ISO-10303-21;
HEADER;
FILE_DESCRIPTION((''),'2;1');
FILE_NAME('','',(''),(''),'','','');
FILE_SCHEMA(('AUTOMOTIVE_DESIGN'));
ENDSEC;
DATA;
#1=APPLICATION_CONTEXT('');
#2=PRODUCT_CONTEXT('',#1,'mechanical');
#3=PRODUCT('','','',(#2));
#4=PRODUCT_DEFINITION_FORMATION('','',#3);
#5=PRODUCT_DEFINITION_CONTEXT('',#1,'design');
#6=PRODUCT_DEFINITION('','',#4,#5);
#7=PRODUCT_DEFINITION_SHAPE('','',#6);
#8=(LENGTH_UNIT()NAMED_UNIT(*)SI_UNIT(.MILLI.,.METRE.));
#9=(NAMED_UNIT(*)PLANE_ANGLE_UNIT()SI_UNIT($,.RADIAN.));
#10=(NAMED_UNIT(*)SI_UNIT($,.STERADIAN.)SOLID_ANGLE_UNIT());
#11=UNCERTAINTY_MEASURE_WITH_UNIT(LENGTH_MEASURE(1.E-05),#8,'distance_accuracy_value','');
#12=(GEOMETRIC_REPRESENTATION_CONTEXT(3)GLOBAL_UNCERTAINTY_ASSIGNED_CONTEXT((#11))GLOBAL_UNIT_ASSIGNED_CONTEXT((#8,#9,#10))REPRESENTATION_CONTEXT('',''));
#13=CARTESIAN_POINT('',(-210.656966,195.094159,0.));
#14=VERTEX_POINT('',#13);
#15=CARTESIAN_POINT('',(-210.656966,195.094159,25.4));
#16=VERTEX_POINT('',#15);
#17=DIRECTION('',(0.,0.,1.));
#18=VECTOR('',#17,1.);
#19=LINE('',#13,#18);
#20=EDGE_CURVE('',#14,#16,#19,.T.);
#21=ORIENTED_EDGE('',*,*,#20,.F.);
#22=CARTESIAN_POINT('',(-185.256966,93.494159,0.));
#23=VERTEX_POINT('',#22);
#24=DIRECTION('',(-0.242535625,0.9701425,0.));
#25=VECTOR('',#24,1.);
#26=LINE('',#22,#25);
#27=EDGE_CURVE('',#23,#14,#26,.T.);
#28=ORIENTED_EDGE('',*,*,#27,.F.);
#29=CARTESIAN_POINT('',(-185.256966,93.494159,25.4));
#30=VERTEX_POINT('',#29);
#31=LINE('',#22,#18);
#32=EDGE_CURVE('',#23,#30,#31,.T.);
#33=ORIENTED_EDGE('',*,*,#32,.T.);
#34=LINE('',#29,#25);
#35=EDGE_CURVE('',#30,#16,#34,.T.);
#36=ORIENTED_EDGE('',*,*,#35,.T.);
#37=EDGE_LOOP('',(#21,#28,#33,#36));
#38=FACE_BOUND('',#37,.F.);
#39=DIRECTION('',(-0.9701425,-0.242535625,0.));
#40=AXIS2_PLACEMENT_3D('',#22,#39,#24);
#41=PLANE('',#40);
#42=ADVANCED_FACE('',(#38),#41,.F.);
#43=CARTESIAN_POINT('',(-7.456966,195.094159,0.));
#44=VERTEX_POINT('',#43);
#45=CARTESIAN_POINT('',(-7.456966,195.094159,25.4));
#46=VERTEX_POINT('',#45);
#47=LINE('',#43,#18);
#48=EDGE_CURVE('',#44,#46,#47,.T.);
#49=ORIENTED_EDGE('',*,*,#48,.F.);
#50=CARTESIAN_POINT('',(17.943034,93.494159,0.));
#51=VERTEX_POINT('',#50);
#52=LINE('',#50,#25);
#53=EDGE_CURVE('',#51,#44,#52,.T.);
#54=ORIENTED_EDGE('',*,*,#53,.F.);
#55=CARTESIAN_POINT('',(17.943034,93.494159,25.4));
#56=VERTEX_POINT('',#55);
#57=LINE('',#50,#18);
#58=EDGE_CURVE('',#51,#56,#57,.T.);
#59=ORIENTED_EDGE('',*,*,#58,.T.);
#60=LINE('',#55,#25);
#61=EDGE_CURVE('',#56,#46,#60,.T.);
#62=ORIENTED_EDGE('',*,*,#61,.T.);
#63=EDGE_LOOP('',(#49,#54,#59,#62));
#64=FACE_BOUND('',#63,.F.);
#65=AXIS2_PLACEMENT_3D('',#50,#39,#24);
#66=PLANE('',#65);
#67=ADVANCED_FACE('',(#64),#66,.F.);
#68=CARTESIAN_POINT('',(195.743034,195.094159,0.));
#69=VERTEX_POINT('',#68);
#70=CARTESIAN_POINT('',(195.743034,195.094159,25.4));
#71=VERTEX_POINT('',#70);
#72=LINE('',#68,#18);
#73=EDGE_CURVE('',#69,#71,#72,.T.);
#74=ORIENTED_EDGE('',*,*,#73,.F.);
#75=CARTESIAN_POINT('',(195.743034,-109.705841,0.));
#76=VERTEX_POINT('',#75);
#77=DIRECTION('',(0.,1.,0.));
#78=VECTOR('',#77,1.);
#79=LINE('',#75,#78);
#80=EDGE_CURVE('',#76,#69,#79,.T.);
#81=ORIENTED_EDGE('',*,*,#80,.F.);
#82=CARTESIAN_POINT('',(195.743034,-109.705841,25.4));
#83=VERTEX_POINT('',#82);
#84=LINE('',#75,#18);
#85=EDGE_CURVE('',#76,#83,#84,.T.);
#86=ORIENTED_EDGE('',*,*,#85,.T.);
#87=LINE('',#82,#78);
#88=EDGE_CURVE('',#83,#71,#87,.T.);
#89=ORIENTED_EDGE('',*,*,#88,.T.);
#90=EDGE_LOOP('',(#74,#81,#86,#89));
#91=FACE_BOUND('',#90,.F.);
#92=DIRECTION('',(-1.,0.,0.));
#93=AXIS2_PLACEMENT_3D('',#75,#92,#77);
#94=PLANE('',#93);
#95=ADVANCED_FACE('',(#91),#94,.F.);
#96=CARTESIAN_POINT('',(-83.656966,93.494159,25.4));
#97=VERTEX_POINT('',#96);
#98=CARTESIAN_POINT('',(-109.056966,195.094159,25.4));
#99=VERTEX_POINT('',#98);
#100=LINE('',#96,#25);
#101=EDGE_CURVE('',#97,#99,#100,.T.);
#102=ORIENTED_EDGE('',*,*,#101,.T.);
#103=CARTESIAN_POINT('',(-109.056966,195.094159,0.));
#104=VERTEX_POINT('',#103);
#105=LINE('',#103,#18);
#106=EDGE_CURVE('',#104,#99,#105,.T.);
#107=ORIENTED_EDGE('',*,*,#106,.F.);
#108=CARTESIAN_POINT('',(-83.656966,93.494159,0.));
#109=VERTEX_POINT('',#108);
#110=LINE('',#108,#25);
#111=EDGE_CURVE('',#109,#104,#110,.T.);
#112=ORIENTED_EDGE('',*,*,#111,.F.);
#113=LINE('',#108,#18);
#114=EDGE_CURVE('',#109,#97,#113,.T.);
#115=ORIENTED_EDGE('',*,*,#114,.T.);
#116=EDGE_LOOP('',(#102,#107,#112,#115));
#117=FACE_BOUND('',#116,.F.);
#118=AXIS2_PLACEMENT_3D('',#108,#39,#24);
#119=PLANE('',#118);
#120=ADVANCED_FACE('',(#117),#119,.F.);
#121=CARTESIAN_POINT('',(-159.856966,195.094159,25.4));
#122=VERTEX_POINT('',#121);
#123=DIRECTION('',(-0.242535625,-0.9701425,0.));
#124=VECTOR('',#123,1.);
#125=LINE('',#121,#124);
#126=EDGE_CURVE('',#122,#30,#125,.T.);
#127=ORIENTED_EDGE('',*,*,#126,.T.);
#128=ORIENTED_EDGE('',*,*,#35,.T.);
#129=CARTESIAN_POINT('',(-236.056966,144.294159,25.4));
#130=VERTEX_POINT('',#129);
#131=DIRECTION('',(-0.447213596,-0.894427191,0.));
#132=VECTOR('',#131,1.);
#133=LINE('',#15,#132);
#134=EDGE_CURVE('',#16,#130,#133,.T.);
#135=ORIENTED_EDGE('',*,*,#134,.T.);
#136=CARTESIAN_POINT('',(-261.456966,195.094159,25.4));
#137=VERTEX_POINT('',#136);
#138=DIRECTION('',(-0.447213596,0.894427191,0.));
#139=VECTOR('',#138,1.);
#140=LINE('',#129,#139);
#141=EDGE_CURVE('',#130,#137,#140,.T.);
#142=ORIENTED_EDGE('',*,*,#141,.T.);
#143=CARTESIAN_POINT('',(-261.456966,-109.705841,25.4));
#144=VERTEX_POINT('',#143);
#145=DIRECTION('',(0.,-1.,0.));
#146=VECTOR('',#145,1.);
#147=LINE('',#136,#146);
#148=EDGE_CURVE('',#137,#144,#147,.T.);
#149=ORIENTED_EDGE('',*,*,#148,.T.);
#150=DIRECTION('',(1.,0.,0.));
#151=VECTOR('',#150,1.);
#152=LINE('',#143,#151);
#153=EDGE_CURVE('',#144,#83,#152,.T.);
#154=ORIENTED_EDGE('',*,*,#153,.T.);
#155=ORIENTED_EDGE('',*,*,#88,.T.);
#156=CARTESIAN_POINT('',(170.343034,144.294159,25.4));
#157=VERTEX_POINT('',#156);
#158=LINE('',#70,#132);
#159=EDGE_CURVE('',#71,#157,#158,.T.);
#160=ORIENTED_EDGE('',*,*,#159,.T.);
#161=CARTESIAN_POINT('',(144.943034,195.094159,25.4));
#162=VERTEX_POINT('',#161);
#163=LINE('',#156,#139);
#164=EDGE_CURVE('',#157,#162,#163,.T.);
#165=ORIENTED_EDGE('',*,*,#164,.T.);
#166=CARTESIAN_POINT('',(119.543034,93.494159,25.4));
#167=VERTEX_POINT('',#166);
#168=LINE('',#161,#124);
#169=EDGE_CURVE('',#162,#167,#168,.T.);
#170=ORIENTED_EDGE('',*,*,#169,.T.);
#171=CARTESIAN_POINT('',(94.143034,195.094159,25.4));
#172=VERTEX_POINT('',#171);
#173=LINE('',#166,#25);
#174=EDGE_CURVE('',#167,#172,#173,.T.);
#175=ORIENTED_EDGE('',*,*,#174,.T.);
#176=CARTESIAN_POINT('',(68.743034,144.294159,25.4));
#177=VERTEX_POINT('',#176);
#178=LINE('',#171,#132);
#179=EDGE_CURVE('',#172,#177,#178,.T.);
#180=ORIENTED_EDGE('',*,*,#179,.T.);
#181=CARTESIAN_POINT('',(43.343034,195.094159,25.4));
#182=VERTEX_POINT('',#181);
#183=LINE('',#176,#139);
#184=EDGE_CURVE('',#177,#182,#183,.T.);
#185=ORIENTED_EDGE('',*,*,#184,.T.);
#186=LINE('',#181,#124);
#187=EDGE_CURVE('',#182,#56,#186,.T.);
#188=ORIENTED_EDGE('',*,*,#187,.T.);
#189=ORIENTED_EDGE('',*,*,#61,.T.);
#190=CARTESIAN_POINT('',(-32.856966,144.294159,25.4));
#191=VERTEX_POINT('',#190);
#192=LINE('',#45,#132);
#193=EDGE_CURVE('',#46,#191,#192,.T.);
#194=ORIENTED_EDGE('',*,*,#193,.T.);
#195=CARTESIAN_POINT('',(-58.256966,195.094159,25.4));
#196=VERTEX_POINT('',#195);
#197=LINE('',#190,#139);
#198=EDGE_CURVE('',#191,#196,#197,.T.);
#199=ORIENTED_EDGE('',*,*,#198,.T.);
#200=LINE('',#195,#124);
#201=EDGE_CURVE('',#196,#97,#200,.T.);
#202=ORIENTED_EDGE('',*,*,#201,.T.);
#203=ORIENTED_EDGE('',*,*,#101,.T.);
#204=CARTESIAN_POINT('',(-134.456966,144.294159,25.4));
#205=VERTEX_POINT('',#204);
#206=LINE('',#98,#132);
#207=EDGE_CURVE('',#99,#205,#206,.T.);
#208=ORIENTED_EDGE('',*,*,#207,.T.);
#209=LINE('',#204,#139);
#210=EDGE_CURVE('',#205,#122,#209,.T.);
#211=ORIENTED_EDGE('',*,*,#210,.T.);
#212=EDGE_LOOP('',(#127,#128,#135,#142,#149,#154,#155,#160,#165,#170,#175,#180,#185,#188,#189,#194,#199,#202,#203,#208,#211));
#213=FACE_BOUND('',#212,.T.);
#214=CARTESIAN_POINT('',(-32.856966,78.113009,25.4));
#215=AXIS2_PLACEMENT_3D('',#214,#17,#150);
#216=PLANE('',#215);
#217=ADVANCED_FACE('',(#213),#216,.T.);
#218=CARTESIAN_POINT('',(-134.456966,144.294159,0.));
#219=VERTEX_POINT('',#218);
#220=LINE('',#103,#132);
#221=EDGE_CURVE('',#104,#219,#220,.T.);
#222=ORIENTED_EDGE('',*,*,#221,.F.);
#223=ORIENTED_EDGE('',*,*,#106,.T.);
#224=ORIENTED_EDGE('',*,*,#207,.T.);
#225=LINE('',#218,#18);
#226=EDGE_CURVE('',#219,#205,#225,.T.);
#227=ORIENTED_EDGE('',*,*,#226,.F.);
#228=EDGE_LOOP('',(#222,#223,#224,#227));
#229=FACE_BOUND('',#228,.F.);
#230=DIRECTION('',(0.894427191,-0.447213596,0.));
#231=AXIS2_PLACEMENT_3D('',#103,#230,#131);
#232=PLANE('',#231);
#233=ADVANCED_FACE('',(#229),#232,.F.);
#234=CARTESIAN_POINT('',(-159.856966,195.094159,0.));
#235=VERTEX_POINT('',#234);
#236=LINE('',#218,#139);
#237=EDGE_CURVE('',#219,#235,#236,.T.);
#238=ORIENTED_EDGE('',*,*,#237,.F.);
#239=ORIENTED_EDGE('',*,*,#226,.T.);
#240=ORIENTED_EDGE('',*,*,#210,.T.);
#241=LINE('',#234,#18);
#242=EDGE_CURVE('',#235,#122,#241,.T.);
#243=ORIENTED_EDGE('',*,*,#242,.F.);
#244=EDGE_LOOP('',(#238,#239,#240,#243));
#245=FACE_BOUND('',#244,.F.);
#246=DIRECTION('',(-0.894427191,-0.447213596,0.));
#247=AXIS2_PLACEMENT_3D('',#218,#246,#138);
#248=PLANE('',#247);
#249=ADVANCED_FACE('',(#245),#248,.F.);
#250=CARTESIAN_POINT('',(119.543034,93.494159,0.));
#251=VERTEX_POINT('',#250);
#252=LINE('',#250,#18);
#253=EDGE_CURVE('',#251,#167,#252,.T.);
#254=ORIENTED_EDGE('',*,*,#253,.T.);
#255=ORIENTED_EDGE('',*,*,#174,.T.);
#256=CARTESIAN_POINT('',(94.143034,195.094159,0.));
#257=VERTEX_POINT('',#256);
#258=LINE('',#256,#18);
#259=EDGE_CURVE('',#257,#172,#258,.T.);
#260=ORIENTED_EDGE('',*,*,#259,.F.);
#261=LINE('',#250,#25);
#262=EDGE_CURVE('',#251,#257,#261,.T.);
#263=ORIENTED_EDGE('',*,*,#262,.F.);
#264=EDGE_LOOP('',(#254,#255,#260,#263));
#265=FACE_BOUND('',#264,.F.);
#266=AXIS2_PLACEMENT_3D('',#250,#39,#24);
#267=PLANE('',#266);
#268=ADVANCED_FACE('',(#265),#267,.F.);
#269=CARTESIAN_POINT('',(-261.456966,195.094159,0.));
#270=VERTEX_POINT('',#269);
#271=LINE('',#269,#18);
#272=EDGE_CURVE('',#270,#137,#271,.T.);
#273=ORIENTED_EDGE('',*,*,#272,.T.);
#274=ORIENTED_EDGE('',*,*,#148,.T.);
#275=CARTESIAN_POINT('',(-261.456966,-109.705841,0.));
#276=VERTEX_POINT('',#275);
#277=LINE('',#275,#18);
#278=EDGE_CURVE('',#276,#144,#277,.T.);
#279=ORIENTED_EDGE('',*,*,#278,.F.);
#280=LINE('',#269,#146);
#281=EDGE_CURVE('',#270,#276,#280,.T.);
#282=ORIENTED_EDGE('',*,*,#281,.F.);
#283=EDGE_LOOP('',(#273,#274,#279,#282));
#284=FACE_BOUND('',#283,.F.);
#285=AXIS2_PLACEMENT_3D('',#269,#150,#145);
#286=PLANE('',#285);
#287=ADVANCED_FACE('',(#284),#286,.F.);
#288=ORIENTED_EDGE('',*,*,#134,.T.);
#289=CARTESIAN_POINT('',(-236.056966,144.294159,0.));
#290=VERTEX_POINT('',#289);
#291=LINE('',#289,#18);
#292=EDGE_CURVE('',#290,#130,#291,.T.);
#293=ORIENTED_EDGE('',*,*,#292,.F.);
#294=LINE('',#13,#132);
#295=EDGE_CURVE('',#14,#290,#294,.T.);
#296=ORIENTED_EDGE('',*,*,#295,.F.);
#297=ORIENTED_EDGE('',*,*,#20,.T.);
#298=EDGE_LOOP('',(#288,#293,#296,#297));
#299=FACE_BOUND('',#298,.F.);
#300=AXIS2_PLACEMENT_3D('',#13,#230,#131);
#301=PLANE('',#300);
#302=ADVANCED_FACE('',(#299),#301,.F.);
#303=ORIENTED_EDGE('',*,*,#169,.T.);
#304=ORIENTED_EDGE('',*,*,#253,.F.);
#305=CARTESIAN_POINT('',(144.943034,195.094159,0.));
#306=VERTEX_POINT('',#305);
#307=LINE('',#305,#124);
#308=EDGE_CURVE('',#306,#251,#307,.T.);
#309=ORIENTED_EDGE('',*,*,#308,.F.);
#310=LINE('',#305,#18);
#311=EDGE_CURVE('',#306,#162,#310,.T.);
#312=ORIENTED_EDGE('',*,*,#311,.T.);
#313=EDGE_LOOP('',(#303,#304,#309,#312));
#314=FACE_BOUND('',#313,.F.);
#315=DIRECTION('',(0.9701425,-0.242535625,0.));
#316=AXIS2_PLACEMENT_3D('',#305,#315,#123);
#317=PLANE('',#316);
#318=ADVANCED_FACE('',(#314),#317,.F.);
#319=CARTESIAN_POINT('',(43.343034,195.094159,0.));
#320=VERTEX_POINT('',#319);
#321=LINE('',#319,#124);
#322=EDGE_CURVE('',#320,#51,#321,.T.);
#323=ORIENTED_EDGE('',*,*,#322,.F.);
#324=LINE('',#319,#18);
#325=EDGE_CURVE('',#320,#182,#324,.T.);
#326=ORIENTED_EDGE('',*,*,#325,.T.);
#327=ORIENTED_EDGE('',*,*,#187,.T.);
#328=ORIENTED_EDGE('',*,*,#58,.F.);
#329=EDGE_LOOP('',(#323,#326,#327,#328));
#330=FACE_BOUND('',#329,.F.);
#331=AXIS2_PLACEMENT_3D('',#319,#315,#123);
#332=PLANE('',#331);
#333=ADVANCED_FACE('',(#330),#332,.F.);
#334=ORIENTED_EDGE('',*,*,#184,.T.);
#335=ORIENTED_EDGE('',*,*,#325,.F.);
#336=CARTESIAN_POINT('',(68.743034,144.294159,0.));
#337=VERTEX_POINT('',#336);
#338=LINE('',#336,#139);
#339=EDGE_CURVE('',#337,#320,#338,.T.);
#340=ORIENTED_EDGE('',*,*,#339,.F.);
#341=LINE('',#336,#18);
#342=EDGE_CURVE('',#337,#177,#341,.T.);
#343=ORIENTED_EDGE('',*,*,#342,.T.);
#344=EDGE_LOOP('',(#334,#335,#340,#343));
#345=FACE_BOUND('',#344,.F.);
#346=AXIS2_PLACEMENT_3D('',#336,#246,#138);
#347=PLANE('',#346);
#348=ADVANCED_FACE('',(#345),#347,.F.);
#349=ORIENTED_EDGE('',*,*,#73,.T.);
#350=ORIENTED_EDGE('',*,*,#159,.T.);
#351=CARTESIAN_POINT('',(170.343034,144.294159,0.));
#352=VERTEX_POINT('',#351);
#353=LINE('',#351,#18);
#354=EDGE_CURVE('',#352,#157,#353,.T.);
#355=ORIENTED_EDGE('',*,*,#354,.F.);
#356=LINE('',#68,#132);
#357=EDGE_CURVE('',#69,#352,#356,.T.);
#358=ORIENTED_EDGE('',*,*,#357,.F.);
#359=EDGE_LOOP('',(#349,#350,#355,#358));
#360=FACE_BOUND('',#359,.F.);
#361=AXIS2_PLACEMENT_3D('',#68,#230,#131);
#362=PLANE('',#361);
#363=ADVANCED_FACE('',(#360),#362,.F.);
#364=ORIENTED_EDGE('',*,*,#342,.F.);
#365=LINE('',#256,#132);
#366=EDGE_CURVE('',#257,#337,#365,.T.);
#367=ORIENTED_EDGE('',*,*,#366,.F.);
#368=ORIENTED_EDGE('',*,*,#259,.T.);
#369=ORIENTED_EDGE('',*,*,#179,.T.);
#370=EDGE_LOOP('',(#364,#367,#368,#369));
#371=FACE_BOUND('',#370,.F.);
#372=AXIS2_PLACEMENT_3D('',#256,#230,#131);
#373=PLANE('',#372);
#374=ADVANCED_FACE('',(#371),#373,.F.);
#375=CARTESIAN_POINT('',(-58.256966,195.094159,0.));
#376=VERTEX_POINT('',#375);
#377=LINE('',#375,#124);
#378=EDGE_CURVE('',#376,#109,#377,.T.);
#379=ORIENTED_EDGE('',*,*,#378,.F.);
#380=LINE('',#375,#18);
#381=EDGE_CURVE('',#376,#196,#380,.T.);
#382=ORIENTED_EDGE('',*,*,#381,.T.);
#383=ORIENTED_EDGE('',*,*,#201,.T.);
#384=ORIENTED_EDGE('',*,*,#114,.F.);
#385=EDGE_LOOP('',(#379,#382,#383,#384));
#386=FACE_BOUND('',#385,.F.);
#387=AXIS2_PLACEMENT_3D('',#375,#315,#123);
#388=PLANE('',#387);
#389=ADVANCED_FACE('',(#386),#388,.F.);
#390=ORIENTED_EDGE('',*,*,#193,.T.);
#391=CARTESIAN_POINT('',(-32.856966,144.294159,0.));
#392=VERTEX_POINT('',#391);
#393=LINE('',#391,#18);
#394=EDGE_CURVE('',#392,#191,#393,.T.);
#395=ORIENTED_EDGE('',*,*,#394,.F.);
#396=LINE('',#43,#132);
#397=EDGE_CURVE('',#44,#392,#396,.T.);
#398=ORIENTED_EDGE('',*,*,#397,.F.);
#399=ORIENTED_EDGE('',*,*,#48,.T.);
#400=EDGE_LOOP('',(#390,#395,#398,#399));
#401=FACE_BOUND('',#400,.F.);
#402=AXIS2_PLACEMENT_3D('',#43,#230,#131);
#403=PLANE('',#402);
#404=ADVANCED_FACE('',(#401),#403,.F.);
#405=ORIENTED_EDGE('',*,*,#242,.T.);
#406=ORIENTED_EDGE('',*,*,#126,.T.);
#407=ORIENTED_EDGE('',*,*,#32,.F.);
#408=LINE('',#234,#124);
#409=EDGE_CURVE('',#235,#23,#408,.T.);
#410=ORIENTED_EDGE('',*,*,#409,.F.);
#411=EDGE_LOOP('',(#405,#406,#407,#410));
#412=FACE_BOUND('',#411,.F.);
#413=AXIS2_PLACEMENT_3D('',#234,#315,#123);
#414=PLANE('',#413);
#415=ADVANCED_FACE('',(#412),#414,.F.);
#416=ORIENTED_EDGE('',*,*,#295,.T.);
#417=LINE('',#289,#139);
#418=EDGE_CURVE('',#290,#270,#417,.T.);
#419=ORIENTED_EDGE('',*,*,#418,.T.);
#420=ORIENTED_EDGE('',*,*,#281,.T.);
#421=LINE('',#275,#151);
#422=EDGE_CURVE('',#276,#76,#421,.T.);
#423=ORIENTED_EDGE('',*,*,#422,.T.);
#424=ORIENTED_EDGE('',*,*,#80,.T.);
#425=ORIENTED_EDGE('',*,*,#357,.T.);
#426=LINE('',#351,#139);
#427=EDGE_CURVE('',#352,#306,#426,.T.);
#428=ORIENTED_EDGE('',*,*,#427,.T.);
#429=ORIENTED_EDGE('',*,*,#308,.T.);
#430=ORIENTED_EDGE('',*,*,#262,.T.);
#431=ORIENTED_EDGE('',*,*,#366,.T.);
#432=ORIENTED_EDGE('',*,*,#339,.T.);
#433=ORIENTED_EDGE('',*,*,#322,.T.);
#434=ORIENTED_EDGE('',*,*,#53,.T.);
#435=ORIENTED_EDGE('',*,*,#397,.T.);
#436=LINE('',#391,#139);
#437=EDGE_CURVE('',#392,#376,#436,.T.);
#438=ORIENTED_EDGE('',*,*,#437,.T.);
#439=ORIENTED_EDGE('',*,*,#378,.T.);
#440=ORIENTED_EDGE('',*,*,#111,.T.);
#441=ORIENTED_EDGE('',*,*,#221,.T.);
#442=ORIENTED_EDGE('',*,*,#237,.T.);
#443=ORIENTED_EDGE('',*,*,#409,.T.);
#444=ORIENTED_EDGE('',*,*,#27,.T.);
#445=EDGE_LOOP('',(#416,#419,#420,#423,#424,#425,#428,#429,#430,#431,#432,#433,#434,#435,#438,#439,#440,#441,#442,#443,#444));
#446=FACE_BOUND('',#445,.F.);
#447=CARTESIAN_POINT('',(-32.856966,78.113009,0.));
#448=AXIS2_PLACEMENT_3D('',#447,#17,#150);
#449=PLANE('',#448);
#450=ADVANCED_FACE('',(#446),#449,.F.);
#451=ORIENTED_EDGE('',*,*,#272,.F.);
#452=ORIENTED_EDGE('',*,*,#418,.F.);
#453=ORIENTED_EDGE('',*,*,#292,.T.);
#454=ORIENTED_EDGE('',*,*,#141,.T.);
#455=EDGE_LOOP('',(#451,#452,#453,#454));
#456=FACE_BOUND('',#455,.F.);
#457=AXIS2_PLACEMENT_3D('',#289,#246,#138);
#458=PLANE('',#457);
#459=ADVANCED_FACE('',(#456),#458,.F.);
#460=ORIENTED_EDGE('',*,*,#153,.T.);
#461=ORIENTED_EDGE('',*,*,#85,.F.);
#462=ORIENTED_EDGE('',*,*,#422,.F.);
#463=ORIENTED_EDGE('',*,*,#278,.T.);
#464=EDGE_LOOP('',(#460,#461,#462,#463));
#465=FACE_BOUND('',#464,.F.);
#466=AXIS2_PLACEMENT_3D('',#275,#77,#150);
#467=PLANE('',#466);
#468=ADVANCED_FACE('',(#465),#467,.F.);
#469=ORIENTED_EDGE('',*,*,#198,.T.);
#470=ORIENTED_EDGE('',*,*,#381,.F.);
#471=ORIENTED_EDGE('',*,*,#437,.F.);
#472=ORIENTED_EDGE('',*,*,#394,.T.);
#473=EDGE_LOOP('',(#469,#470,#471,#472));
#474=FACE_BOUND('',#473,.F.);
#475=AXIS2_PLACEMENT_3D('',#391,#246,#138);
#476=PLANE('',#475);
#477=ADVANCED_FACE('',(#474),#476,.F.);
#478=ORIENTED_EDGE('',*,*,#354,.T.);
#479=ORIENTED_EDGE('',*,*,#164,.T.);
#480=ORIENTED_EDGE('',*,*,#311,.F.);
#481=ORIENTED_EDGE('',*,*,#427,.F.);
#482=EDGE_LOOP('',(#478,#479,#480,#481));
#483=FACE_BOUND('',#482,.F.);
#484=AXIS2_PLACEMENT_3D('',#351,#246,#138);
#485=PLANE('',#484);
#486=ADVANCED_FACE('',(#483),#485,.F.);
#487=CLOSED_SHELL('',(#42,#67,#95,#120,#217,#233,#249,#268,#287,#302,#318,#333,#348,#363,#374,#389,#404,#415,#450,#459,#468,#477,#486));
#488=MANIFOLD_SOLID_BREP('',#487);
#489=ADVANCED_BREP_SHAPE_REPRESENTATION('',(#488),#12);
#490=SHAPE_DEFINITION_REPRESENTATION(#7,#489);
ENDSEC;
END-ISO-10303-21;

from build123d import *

# Parameters (mm, degrees)
F1_DEPTH = 25.4


with BuildPart() as f1:
    # F0 (on Top) → F1 (new body)
    with BuildSketch(Plane.XY):
        Polygon((-261.456966, 195.094159), (-261.456966, -109.705841), (195.743034, -109.705841), (195.743034, 195.094159), (170.343034, 144.294159), (144.943034, 195.094159), (119.543034, 93.494159), (94.143034, 195.094159), (68.743034, 144.294159), (43.343034, 195.094159), (17.943034, 93.494159), (-7.456966, 195.094159), (-32.856966, 144.294159), (-58.256966, 195.094159), (-83.656966, 93.494159), (-109.056966, 195.094159), (-134.456966, 144.294159), (-159.856966, 195.094159), (-185.256966, 93.494159), (-210.656966, 195.094159), (-236.056966, 144.294159), align=None)
    extrude(amount=F1_DEPTH)


solid = f1.part
